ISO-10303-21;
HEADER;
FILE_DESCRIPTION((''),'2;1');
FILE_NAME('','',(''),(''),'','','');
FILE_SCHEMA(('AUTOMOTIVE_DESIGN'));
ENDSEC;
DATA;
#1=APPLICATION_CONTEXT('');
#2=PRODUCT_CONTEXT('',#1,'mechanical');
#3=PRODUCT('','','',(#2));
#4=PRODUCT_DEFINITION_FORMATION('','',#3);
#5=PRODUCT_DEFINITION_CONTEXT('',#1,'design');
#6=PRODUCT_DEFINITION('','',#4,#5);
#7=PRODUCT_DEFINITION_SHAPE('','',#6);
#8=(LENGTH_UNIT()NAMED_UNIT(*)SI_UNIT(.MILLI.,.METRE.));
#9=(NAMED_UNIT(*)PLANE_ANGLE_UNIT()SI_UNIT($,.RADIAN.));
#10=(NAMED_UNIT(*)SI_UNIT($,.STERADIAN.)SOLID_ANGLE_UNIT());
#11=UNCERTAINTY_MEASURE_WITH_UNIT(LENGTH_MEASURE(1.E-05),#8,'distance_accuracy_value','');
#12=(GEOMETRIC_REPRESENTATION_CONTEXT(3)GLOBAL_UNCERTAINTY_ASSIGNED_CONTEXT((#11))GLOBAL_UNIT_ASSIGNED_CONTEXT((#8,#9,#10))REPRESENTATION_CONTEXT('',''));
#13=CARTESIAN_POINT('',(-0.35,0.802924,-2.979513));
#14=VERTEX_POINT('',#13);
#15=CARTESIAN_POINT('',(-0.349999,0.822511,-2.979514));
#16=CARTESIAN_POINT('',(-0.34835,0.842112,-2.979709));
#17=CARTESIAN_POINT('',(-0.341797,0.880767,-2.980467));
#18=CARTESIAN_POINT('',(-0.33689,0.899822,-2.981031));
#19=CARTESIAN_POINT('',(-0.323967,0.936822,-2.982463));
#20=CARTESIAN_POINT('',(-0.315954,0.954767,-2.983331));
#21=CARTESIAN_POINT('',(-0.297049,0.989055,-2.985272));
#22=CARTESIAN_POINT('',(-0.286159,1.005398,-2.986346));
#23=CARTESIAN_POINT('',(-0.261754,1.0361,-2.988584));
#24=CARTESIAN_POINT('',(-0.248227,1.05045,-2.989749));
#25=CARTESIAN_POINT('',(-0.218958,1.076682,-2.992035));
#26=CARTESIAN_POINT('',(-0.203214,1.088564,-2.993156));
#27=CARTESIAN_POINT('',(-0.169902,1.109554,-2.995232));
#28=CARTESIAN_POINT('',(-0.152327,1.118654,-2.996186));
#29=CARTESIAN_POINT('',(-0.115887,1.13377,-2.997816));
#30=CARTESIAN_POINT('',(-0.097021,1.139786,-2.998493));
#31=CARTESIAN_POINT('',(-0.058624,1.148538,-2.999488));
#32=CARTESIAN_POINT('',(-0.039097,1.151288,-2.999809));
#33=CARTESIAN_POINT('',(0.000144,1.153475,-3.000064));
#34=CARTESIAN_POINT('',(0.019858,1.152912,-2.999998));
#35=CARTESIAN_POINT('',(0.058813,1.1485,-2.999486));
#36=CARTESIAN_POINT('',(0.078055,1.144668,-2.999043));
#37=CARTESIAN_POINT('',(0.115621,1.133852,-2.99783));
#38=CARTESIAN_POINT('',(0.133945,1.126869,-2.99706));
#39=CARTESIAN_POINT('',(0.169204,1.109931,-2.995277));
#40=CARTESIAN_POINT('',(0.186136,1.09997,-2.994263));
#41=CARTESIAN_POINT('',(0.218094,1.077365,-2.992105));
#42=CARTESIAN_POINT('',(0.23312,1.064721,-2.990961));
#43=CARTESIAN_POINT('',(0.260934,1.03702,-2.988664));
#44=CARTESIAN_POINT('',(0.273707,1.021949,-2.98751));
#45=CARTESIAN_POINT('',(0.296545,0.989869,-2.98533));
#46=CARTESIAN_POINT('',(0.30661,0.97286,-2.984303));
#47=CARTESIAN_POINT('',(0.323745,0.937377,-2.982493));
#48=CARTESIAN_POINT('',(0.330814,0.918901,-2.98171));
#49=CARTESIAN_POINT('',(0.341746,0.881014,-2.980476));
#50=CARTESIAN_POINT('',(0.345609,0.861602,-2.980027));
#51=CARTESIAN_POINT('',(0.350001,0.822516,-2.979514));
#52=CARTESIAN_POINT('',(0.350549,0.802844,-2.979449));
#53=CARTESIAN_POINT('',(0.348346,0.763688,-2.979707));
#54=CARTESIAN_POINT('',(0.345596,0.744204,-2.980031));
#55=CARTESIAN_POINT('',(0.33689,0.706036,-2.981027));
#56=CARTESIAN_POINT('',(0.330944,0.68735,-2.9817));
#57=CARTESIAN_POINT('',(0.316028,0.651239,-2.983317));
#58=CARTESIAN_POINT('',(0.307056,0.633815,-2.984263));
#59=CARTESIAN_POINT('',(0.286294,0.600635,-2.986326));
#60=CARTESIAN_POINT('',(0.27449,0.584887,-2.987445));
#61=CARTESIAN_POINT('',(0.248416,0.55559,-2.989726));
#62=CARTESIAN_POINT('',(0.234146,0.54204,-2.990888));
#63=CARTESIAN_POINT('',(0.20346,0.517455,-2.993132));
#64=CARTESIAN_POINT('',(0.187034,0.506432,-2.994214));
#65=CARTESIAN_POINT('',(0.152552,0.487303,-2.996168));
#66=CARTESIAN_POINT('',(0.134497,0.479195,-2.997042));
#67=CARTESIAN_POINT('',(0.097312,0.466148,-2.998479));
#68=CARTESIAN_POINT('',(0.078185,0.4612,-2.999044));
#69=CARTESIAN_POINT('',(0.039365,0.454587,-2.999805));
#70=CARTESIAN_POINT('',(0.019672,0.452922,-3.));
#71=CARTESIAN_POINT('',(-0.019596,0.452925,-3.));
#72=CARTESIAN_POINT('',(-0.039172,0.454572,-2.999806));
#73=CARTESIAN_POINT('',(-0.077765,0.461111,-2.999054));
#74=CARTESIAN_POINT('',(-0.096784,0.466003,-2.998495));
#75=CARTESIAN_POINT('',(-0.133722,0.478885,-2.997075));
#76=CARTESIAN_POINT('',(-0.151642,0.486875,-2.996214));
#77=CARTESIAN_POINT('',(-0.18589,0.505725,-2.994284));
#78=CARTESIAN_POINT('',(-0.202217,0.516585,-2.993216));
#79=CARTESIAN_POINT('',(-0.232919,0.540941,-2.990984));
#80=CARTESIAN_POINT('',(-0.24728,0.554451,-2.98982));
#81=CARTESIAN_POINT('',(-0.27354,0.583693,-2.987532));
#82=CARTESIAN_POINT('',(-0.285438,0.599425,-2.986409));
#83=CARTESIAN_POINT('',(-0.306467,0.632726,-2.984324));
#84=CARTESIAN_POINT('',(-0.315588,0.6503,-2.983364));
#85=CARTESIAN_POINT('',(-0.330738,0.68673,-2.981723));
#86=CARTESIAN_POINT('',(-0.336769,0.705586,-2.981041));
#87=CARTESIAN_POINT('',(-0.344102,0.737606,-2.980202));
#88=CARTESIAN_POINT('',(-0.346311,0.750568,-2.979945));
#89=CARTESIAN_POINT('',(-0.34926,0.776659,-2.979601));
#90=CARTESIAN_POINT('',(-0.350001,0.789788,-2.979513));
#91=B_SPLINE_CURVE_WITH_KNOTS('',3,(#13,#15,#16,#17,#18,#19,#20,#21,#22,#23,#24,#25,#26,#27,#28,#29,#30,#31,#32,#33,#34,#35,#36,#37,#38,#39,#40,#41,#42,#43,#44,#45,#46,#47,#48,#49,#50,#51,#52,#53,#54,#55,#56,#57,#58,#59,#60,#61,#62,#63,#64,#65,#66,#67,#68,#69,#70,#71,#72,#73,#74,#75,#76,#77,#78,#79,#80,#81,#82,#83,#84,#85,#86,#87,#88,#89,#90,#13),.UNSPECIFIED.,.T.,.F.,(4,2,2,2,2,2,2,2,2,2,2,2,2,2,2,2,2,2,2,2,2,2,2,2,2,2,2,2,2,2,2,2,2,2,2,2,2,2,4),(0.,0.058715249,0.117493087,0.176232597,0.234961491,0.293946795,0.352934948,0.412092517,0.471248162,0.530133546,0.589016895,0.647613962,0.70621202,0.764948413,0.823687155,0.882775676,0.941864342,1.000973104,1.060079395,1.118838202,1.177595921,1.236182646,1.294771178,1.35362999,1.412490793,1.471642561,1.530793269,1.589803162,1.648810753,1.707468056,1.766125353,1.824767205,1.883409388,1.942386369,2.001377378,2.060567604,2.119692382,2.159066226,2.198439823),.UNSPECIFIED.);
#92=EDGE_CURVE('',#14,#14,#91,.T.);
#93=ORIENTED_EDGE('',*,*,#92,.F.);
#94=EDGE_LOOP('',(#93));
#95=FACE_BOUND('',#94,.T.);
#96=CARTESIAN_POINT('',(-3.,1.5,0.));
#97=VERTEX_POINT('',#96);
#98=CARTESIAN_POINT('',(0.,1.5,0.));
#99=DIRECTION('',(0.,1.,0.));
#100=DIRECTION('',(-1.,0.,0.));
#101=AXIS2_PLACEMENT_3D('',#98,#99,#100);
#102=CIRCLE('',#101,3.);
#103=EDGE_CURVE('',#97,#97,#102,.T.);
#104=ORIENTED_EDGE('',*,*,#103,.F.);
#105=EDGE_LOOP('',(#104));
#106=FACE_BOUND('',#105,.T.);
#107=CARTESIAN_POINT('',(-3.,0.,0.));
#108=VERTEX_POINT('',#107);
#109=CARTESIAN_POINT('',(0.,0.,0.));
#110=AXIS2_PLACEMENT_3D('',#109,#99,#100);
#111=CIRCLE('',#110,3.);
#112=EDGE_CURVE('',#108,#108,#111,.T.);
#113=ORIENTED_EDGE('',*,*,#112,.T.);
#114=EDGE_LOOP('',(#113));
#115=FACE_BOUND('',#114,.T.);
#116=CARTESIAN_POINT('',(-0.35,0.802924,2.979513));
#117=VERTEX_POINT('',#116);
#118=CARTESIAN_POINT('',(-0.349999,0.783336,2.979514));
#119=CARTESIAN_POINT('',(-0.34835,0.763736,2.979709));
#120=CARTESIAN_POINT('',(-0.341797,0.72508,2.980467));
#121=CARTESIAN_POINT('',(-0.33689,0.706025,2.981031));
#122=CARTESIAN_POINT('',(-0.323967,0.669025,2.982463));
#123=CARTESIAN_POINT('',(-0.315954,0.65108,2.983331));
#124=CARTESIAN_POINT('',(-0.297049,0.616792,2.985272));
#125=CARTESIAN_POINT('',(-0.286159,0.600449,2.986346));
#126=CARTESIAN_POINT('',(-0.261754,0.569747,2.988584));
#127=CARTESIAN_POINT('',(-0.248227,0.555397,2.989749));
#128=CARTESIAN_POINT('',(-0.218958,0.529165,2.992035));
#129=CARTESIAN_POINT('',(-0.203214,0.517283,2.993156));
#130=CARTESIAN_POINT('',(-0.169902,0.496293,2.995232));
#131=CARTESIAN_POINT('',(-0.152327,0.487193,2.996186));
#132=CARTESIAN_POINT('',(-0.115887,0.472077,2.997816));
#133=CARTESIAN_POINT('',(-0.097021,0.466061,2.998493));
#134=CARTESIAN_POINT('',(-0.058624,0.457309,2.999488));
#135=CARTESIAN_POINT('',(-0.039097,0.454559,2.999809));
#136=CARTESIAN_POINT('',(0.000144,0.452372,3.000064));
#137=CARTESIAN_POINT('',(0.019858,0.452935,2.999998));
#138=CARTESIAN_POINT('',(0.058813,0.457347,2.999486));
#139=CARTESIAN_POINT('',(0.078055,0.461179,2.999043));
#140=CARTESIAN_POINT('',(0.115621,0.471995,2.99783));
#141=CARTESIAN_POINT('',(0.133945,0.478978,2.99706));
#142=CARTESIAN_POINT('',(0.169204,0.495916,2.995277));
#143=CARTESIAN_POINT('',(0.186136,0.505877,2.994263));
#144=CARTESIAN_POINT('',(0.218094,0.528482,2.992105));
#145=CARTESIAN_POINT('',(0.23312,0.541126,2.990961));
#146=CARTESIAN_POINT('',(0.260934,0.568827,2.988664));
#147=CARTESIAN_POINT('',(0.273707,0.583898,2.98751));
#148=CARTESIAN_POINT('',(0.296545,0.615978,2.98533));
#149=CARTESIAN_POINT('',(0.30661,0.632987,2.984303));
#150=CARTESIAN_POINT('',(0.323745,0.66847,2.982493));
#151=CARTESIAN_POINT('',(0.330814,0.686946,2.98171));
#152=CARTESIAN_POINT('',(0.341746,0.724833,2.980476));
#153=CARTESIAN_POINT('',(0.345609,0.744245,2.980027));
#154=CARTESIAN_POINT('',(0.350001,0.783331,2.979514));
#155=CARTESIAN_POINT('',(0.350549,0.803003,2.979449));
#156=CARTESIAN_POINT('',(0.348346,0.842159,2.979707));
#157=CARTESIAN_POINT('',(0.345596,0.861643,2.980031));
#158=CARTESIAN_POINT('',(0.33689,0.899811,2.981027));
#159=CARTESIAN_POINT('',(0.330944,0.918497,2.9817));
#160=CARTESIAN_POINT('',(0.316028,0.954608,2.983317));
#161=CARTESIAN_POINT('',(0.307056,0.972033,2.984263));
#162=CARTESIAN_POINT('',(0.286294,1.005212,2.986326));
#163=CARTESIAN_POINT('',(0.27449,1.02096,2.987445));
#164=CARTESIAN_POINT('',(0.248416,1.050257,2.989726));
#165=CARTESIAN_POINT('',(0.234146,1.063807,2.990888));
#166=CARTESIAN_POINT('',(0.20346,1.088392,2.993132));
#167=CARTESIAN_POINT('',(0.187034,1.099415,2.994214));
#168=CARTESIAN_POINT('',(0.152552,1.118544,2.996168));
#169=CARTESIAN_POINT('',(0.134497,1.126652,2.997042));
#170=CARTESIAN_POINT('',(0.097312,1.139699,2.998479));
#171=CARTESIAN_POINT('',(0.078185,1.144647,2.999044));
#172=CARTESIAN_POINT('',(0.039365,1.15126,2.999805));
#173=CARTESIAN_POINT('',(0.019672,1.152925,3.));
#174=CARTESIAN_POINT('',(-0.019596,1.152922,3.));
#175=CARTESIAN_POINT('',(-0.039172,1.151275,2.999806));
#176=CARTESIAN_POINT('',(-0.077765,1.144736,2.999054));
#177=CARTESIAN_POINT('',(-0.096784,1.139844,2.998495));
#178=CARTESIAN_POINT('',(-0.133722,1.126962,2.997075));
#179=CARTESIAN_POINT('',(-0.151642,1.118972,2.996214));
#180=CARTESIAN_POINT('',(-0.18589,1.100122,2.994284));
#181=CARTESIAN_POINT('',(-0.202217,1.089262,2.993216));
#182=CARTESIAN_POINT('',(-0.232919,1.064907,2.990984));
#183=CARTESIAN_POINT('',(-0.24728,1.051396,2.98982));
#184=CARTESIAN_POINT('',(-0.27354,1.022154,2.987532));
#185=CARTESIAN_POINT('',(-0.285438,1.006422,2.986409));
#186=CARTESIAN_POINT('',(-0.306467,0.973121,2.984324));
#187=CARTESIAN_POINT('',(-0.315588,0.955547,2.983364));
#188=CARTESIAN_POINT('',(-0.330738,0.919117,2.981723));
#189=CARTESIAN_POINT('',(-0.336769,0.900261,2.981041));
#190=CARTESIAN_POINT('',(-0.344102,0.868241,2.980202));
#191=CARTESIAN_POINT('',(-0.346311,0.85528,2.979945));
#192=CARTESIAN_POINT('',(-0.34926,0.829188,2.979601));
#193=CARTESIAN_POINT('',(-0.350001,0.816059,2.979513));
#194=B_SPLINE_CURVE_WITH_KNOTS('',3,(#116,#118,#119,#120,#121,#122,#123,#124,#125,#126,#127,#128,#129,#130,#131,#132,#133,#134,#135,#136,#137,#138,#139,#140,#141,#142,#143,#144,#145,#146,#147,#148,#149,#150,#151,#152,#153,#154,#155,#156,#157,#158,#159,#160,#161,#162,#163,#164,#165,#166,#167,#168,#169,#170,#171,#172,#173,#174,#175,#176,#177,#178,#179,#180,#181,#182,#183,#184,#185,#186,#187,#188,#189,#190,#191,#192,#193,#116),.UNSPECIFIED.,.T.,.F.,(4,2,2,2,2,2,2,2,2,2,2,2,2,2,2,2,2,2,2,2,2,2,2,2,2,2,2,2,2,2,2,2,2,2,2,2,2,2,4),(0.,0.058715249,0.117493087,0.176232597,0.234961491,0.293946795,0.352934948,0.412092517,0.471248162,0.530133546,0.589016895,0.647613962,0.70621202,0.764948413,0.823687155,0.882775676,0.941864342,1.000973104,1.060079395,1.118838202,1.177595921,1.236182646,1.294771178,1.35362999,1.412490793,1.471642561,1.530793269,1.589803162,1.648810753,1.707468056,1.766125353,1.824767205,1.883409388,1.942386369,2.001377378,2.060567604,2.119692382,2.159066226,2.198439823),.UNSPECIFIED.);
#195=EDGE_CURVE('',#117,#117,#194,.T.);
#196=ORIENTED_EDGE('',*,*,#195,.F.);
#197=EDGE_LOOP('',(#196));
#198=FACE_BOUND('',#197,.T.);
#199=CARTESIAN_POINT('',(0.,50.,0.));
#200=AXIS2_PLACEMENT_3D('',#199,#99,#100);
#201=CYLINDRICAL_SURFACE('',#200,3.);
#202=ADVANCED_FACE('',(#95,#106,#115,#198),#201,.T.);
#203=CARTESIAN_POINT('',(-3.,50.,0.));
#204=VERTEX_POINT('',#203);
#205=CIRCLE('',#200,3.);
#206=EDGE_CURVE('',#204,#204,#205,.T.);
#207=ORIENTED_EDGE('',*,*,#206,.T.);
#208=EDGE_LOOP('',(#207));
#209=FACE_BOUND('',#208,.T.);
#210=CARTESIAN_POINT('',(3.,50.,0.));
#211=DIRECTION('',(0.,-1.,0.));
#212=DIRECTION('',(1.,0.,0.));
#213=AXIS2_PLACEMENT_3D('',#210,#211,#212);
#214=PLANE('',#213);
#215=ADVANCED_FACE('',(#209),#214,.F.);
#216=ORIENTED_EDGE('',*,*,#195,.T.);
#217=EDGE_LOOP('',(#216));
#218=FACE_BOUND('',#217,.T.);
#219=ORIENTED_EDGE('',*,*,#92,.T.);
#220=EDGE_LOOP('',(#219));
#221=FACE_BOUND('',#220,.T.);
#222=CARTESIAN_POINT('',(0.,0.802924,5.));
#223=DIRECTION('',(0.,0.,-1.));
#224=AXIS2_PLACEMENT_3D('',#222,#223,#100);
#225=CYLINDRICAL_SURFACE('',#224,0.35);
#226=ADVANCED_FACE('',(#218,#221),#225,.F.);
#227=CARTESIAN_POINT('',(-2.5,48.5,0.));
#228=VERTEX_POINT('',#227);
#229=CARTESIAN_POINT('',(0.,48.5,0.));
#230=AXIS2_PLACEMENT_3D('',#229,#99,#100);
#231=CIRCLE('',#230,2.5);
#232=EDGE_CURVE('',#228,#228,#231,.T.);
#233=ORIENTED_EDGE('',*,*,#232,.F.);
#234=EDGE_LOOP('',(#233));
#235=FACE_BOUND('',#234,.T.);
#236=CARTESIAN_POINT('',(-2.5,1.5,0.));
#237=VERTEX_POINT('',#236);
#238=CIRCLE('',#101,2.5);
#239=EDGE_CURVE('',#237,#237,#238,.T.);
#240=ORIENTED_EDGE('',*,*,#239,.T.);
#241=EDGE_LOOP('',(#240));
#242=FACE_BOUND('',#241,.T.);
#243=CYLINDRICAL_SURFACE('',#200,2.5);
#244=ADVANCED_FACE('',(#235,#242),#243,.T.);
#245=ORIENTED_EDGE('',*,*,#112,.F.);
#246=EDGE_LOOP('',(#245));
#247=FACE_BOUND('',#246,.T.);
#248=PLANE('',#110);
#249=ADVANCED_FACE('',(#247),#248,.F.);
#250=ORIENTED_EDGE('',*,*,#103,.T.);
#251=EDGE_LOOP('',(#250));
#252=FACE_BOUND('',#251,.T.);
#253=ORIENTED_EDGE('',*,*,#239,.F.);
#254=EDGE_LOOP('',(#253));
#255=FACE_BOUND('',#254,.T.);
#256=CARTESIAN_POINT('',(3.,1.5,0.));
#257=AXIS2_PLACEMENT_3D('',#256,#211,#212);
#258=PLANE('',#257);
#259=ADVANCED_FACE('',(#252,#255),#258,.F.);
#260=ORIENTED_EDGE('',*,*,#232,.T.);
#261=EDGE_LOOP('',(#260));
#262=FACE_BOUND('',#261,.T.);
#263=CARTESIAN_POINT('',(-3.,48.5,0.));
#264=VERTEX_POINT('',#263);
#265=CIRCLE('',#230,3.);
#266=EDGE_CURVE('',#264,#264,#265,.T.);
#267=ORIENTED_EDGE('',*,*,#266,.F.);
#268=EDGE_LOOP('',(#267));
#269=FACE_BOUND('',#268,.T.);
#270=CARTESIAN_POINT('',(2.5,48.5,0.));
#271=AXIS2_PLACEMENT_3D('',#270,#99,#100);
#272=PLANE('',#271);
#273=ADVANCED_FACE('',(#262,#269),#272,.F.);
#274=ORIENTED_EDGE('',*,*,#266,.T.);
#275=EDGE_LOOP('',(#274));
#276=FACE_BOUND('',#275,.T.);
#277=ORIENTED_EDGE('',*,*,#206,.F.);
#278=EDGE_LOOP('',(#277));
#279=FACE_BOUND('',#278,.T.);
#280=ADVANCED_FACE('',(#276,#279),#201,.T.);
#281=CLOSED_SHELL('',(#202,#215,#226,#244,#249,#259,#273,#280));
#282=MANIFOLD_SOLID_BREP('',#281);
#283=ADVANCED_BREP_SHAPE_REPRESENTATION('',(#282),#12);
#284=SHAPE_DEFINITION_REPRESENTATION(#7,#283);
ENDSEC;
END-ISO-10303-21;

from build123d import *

# Parameters (mm, degrees)
SKETCH2_R          = 0.35
CUT_EXTRUDE1_DEPTH = 5


with BuildPart() as part:
    # Sketch1 → Revolve1 (revolve)
    with BuildSketch(Plane.XY, mode=Mode.PRIVATE) as revolve1_sk:
        Polygon((0, 0), (3, 0), (3, 1.5), (2.5, 1.5), (2.5, 48.5), (3, 48.5), (3, 50), (0, 50), align=None)
    revolve(revolve1_sk.sketch.rotate(Axis((0, 50, 0), (0, -1, 0)), 180), axis=Axis((0, 50, 0), (0, -1, 0)))

    # Sketch2 → Cut-Extrude1 (cut, symmetric)
    with BuildSketch(Plane.XY):
        with Locations(Location((0, 0.802923523, 0), (0, 0, 180))):
            Circle(SKETCH2_R)
    extrude(amount=CUT_EXTRUDE1_DEPTH, both=True, mode=Mode.SUBTRACT)


solid = part.part
